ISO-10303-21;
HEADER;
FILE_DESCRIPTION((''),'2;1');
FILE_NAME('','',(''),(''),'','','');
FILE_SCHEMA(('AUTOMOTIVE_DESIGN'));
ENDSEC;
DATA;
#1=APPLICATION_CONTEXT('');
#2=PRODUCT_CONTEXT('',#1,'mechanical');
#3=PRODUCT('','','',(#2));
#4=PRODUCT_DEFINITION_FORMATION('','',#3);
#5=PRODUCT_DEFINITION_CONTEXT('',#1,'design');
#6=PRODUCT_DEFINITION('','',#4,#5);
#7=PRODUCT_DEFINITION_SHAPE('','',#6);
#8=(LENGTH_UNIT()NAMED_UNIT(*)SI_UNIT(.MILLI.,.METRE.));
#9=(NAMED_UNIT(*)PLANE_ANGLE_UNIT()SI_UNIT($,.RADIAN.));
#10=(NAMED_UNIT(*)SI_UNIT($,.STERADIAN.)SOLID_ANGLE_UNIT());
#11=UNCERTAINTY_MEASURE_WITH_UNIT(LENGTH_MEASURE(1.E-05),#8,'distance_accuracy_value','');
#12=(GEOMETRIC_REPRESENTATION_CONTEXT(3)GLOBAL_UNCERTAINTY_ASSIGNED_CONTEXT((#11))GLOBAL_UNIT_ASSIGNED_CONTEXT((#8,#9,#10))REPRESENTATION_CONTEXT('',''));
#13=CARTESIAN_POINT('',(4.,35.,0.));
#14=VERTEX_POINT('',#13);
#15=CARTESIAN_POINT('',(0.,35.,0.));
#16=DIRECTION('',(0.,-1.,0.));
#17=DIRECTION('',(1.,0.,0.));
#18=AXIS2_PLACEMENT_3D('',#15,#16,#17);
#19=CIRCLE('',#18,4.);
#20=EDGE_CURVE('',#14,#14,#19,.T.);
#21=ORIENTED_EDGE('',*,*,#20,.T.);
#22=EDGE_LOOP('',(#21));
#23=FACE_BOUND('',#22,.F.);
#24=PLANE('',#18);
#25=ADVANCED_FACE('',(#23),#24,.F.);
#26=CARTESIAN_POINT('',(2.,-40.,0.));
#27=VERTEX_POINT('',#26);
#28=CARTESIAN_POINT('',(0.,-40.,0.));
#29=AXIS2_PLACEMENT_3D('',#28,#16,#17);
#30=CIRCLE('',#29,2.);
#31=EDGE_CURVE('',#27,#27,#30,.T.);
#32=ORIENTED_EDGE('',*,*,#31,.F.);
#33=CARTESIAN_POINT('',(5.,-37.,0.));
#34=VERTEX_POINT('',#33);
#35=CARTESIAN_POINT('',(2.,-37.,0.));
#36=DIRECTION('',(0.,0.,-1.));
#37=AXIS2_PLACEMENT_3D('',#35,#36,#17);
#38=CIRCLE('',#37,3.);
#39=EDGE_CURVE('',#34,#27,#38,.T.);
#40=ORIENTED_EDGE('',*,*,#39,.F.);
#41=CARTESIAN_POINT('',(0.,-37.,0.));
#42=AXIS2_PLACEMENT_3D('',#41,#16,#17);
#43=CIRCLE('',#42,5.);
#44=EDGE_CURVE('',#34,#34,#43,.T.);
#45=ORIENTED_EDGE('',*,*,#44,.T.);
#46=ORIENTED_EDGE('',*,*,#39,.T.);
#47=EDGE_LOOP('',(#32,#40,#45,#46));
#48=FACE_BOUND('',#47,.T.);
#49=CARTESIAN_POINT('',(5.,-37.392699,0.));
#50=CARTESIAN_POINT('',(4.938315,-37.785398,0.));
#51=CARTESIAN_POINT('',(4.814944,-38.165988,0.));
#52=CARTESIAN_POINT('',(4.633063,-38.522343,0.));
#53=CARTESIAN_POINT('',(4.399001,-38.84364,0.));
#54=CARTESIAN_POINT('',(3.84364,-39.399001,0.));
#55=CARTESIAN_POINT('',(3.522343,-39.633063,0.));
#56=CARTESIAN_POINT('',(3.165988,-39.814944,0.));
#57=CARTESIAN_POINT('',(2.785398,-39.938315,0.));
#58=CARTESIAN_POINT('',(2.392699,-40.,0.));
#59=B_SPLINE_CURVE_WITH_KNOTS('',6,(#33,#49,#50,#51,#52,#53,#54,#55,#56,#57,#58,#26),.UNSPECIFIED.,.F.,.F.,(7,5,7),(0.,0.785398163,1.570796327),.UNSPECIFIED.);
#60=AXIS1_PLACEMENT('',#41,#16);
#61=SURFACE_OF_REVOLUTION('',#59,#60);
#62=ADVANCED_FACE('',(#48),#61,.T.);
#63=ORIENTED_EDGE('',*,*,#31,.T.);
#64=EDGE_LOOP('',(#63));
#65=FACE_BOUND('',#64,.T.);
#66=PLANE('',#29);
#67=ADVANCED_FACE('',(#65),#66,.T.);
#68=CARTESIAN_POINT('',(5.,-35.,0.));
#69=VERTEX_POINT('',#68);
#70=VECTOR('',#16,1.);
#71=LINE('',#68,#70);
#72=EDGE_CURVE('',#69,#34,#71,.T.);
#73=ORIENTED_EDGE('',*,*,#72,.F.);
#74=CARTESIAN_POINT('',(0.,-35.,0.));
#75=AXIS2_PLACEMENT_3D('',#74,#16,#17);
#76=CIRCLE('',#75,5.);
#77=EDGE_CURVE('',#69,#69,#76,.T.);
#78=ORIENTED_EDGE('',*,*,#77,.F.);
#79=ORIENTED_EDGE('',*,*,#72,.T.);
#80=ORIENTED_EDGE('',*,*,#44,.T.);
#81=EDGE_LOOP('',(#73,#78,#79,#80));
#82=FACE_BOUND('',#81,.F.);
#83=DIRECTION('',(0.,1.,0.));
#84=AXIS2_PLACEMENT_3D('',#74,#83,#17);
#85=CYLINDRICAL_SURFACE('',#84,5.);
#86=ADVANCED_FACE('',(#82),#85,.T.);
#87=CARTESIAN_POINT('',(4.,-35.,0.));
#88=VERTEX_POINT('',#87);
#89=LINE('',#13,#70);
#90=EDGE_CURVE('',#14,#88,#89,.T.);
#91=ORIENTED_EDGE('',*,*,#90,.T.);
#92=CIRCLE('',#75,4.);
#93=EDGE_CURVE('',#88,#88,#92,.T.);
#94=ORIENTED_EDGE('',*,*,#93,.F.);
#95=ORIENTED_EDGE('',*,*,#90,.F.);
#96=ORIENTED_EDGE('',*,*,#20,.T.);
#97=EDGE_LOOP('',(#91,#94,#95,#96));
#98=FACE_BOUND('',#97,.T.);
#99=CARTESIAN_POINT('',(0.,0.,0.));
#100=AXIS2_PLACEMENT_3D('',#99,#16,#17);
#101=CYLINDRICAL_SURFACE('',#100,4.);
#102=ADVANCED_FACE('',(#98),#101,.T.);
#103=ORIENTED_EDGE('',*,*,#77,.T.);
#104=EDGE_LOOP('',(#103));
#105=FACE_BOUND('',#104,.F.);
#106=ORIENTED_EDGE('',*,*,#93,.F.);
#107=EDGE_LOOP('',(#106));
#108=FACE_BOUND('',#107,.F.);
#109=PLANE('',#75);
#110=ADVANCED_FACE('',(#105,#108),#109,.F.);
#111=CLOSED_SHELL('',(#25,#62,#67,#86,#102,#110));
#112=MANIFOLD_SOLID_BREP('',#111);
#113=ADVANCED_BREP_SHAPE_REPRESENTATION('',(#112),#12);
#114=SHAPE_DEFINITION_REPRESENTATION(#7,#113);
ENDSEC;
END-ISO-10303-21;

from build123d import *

# Parameters (mm, degrees)
F0_R     = 4
F1_DEPTH = 35
F2_R     = 5
F2_R_2   = 4
F3_DEPTH = 5
F4_R     = 3


with BuildPart() as f1:
    # F0 (on Front) → F1 (new body, symmetric)
    with BuildSketch(Plane.XZ):
        Circle(F0_R)
    extrude(amount=F1_DEPTH, both=True)

    # F2 (on face) → F3 (join)
    with BuildSketch(Plane.XZ.offset(35)):
        Circle(F2_R)
        Circle(F2_R_2, mode=Mode.SUBTRACT)
        Circle(F2_R_2)
    extrude(amount=F3_DEPTH)

    # F4
    f4_edges = [f1.edges().sort_by_distance(p)[0] for p in [
        (-5, -40, 0),
    ]]
    fillet(f4_edges, radius=F4_R)


solid = f1.part
